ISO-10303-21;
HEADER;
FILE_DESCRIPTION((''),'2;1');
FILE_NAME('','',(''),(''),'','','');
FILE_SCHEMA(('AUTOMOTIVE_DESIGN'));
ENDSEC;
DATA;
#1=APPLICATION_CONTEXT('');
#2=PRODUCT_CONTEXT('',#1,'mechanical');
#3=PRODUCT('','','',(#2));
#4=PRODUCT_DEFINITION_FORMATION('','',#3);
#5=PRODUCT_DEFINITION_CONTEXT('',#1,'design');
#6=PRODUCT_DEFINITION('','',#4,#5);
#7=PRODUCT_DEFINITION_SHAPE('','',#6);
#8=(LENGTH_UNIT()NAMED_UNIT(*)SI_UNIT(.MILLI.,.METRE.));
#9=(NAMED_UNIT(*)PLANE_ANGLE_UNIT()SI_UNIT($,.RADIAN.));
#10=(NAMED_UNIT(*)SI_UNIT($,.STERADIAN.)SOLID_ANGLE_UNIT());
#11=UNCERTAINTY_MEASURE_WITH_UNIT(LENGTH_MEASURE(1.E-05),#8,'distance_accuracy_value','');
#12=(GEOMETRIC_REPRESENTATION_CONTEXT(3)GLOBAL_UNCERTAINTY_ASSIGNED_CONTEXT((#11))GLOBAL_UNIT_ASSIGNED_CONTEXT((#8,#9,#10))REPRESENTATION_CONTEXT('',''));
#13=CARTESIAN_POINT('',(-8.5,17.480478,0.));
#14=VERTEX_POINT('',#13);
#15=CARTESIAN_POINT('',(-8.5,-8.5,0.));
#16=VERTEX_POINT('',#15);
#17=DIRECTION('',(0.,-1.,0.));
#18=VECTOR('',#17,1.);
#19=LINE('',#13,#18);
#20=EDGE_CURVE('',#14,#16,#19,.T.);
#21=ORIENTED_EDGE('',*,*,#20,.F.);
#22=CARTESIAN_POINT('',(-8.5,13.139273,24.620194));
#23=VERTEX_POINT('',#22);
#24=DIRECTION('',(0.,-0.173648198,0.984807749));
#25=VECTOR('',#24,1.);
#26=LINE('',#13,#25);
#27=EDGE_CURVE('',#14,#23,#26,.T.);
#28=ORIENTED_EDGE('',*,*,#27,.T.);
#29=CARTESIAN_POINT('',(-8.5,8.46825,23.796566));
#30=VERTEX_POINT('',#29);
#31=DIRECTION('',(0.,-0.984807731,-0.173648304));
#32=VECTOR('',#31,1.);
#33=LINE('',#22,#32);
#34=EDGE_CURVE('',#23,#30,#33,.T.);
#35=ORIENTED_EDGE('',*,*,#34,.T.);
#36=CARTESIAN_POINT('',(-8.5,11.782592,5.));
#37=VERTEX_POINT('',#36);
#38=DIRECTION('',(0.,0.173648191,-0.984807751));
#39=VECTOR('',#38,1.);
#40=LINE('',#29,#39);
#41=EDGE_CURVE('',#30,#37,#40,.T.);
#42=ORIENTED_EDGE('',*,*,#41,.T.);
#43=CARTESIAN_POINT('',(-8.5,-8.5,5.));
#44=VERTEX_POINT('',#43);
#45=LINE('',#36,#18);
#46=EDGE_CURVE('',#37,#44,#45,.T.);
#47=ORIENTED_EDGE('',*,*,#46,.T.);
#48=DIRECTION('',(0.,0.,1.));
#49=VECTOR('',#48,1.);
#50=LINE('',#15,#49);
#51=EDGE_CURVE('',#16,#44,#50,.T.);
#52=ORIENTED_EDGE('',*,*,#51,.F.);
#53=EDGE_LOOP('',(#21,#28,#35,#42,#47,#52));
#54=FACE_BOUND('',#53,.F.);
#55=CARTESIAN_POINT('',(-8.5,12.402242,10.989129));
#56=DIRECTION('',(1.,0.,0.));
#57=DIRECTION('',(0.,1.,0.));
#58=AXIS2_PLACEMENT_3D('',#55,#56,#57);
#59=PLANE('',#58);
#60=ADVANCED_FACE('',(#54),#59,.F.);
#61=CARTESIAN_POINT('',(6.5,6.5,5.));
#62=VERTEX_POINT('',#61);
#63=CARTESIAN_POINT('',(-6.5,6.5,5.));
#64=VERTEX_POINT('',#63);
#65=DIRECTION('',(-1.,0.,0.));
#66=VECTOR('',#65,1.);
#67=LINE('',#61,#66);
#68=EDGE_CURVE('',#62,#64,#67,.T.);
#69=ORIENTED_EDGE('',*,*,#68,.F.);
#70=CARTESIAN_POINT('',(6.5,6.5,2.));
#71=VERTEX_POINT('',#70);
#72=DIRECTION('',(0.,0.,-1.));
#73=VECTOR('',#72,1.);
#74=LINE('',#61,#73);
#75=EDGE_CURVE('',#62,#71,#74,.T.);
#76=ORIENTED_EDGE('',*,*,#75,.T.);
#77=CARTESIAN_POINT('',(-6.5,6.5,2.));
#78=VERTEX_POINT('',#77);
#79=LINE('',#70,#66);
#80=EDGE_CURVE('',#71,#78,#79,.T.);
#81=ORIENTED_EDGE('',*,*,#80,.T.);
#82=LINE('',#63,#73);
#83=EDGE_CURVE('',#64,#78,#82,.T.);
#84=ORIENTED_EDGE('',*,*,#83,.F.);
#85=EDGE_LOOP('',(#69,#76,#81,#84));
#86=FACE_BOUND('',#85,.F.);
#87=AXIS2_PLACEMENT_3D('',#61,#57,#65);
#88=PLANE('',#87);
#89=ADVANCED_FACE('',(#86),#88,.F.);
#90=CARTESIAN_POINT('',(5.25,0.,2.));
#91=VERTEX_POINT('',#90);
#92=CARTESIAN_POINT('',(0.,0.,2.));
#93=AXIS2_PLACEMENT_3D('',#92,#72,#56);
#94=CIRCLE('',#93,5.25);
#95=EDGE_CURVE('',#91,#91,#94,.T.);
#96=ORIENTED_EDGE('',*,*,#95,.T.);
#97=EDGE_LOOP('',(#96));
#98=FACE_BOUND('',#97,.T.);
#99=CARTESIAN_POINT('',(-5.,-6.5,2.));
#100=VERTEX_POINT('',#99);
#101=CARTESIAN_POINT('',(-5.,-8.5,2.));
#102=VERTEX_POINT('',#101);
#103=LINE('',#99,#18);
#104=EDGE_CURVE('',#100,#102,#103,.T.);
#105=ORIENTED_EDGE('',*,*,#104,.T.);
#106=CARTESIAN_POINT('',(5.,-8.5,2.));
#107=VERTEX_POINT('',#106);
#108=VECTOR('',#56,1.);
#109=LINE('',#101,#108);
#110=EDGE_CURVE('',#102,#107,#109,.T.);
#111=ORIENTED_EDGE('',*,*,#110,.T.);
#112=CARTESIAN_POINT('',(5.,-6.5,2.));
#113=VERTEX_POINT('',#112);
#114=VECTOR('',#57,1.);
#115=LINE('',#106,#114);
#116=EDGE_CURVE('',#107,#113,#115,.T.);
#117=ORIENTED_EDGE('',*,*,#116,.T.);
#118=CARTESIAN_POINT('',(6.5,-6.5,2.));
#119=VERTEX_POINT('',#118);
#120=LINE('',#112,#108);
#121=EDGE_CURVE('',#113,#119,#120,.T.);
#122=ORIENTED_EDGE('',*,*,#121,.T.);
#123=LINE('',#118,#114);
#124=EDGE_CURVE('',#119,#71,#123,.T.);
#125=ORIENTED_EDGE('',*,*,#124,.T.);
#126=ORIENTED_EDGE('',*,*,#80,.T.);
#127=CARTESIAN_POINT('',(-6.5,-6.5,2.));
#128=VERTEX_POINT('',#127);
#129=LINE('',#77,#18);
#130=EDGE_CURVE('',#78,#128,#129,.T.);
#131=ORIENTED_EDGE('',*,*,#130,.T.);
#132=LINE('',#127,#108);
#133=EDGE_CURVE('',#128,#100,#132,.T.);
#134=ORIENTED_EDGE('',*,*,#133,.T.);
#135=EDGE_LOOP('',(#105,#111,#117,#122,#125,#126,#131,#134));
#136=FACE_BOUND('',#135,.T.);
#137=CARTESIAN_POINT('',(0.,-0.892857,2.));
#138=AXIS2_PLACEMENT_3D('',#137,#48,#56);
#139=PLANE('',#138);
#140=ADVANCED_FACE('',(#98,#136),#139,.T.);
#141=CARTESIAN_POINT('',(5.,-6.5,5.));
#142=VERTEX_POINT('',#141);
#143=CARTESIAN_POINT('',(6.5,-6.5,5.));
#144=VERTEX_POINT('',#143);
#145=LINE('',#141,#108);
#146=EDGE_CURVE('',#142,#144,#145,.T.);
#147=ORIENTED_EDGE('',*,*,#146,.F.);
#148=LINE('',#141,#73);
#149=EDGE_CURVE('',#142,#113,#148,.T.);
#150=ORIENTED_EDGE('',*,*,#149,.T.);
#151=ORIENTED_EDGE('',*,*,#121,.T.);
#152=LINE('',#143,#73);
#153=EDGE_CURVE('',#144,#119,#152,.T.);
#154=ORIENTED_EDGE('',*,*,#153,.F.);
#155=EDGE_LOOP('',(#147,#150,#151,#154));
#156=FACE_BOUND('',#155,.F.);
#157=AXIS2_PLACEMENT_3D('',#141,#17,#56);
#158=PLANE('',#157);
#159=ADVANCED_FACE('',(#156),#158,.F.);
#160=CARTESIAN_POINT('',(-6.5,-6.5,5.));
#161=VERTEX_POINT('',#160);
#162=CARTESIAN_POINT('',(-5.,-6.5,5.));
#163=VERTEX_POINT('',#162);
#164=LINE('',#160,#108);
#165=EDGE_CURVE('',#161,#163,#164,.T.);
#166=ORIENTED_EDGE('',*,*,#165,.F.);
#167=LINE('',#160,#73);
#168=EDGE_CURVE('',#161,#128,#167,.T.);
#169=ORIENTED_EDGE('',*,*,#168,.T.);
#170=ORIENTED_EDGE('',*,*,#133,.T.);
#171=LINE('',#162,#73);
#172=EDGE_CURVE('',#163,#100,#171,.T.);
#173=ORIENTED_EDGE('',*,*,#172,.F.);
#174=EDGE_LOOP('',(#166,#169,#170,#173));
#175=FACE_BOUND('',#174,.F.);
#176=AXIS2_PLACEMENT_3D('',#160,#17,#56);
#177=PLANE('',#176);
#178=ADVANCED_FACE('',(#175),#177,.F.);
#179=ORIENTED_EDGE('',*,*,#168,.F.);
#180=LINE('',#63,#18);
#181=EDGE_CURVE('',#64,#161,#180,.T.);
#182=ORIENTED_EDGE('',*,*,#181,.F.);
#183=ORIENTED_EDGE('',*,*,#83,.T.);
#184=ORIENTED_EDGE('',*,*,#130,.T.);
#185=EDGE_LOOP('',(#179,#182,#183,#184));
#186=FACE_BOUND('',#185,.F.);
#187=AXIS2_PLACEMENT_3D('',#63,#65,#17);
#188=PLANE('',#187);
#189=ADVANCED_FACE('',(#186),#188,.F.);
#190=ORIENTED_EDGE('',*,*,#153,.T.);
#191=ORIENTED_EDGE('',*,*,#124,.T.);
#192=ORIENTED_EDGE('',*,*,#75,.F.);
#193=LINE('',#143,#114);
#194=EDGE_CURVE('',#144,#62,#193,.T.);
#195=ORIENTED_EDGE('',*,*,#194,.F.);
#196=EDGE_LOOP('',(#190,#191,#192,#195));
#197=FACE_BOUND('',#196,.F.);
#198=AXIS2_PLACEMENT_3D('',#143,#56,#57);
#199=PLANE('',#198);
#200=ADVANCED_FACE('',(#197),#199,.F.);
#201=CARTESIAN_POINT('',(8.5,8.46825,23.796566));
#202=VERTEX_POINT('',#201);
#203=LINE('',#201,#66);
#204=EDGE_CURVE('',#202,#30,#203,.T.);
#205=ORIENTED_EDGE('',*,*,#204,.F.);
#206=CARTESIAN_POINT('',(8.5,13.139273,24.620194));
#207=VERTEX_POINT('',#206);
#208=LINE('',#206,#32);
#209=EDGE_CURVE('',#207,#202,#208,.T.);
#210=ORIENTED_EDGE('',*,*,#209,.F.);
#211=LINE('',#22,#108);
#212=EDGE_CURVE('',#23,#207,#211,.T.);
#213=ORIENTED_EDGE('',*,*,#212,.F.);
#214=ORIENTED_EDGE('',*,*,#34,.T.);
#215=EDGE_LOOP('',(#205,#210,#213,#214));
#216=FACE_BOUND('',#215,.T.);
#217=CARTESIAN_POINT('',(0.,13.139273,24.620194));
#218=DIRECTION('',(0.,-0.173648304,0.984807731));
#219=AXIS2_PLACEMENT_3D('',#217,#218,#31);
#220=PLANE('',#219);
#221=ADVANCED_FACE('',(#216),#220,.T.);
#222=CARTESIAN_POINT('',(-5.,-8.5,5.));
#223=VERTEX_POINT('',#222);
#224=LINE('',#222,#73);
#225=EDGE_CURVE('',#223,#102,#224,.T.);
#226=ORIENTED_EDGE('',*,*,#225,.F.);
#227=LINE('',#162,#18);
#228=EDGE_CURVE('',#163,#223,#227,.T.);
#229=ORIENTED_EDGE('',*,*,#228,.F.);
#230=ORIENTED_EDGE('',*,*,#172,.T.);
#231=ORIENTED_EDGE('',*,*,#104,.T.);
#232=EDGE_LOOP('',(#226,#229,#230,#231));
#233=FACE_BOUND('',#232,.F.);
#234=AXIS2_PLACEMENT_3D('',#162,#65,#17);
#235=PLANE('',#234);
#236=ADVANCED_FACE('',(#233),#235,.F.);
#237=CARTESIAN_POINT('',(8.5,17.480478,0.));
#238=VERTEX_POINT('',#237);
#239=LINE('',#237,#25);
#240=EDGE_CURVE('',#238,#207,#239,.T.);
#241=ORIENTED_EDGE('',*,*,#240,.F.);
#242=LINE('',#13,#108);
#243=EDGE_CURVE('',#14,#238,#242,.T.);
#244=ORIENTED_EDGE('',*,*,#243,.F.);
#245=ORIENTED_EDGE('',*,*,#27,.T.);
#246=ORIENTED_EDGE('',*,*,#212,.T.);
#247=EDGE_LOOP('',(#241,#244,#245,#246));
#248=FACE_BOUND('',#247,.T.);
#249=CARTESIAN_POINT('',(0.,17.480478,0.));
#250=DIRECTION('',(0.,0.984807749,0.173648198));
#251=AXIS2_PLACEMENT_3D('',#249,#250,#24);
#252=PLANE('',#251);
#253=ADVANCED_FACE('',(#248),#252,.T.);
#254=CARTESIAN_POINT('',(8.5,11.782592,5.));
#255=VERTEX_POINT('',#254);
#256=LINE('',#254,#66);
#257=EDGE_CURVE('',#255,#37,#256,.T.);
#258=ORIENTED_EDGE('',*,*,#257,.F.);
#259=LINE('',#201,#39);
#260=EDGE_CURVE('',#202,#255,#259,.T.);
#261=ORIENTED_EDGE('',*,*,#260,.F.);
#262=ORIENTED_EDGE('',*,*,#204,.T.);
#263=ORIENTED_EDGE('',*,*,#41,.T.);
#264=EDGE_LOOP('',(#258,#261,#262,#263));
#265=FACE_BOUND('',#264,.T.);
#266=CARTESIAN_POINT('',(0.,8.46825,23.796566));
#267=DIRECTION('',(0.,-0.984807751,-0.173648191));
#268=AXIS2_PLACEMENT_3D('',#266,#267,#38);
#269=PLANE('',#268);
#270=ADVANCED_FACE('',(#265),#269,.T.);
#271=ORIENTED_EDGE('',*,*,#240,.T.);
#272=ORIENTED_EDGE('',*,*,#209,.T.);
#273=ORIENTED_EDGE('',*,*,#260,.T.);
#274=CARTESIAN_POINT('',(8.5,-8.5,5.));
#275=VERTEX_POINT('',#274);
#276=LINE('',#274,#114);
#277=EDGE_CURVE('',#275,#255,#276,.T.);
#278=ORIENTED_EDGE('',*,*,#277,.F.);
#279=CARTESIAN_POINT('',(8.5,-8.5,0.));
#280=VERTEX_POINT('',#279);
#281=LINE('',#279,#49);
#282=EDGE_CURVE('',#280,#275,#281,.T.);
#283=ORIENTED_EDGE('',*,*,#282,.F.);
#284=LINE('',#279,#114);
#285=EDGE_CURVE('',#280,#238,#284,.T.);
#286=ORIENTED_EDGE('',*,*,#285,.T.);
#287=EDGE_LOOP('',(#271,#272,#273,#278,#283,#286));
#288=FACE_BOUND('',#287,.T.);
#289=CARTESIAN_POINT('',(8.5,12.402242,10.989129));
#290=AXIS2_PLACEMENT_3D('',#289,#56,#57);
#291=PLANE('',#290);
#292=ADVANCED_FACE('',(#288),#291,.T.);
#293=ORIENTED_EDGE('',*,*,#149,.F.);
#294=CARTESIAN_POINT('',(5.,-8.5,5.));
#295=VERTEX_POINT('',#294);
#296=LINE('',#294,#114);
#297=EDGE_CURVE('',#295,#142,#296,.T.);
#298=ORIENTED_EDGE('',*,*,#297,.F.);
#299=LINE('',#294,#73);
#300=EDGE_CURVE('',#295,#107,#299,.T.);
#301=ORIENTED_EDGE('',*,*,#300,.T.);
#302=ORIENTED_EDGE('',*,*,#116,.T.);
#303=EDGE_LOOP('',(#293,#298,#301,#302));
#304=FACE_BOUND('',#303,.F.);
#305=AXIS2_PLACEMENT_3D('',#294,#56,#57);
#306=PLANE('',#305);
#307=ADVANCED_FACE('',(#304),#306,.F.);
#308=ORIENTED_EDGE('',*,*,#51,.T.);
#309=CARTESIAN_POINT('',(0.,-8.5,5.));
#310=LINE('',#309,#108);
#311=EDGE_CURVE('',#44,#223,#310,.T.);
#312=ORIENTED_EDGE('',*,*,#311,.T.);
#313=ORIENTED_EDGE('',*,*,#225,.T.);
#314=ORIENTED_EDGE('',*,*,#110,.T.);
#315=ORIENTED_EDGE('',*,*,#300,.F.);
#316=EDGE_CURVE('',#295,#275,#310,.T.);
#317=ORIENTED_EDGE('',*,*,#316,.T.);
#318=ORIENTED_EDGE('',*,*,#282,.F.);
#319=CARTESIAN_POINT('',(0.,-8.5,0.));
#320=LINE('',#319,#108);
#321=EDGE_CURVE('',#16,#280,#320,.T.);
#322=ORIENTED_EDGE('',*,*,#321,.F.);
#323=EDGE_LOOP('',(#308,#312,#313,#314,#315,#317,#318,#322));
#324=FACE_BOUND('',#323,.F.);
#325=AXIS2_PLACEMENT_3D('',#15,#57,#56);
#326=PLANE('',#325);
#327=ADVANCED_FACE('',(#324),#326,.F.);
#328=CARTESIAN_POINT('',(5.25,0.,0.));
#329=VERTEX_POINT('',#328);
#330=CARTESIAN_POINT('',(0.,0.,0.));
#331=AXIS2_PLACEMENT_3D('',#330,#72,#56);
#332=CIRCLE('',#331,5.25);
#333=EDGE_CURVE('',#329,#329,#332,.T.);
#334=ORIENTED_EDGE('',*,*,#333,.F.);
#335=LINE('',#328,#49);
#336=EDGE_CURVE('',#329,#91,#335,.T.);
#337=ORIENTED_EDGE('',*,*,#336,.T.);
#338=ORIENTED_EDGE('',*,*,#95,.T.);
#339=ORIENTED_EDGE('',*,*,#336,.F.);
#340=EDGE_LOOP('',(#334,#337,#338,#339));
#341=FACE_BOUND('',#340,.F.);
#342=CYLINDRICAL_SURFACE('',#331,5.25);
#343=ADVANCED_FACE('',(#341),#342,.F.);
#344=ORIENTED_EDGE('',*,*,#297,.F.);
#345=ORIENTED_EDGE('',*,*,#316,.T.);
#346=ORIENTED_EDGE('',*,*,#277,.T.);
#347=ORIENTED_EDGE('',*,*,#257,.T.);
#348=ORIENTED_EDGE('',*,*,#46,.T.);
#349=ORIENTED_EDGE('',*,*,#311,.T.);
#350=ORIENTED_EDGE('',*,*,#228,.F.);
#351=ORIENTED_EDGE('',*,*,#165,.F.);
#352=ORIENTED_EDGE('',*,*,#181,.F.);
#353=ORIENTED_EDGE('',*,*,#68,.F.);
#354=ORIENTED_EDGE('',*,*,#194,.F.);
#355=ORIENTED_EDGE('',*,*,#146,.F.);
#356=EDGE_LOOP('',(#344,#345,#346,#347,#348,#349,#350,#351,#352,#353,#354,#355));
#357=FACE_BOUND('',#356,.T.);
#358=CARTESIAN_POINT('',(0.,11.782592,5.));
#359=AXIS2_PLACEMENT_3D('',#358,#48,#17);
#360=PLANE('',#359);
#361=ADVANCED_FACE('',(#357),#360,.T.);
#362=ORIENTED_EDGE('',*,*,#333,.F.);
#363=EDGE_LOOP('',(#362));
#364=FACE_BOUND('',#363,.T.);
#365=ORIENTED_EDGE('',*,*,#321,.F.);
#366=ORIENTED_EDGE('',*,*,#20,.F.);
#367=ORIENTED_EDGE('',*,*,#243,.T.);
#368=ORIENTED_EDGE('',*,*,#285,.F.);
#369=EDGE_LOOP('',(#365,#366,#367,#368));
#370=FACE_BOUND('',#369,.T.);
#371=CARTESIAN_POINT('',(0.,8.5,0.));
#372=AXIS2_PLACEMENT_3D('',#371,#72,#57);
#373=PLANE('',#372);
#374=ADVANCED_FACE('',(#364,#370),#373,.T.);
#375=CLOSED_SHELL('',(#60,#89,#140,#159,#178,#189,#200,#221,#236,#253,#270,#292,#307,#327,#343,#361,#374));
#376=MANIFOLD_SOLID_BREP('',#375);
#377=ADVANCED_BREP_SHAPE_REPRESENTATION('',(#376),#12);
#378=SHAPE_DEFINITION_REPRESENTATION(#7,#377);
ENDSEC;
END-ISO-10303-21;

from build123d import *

# Parameters (mm, degrees)
F0_W     = 17
F0_H     = 17
F1_DEPTH = 5
F3_DEPTH = 3
F4_R     = 5.25
F5_DEPTH = 25
F7_DEPTH = 8.5


with BuildPart() as f1:
    # F0 (on Top) → F1 (new body)
    with BuildSketch(Plane.XY):
        Rectangle(F0_W, F0_H)
    extrude(amount=F1_DEPTH)

    # F2 (on face) → F3 (cut)
    with BuildSketch(Plane.XY.offset(5)):
        Polygon((6.5, 6.5), (-6.5, 6.5), (-6.5, -6.5), (-5, -6.5), (-5, -8.5), (5, -8.5), (5, -6.5), (6.5, -6.5), align=None)
    extrude(amount=-F3_DEPTH, mode=Mode.SUBTRACT)

    # F4 (on face) → F5 (cut)
    with BuildSketch(Plane(origin=(0, 0, 0), x_dir=(1, 0, 0), z_dir=(0, 0, -1))):
        Circle(F4_R)
    extrude(amount=-F5_DEPTH, mode=Mode.SUBTRACT)

    # F6 (on Right) → F7 (join, symmetric)
    with BuildSketch(Plane.YZ):
        Polygon((8.5, 5), (8.5, 0), (17.480478, 0), (13.139273, 24.620194), (8.46825, 23.796566), (11.782592, 5), align=None)
    extrude(amount=F7_DEPTH, both=True)


solid = f1.part
